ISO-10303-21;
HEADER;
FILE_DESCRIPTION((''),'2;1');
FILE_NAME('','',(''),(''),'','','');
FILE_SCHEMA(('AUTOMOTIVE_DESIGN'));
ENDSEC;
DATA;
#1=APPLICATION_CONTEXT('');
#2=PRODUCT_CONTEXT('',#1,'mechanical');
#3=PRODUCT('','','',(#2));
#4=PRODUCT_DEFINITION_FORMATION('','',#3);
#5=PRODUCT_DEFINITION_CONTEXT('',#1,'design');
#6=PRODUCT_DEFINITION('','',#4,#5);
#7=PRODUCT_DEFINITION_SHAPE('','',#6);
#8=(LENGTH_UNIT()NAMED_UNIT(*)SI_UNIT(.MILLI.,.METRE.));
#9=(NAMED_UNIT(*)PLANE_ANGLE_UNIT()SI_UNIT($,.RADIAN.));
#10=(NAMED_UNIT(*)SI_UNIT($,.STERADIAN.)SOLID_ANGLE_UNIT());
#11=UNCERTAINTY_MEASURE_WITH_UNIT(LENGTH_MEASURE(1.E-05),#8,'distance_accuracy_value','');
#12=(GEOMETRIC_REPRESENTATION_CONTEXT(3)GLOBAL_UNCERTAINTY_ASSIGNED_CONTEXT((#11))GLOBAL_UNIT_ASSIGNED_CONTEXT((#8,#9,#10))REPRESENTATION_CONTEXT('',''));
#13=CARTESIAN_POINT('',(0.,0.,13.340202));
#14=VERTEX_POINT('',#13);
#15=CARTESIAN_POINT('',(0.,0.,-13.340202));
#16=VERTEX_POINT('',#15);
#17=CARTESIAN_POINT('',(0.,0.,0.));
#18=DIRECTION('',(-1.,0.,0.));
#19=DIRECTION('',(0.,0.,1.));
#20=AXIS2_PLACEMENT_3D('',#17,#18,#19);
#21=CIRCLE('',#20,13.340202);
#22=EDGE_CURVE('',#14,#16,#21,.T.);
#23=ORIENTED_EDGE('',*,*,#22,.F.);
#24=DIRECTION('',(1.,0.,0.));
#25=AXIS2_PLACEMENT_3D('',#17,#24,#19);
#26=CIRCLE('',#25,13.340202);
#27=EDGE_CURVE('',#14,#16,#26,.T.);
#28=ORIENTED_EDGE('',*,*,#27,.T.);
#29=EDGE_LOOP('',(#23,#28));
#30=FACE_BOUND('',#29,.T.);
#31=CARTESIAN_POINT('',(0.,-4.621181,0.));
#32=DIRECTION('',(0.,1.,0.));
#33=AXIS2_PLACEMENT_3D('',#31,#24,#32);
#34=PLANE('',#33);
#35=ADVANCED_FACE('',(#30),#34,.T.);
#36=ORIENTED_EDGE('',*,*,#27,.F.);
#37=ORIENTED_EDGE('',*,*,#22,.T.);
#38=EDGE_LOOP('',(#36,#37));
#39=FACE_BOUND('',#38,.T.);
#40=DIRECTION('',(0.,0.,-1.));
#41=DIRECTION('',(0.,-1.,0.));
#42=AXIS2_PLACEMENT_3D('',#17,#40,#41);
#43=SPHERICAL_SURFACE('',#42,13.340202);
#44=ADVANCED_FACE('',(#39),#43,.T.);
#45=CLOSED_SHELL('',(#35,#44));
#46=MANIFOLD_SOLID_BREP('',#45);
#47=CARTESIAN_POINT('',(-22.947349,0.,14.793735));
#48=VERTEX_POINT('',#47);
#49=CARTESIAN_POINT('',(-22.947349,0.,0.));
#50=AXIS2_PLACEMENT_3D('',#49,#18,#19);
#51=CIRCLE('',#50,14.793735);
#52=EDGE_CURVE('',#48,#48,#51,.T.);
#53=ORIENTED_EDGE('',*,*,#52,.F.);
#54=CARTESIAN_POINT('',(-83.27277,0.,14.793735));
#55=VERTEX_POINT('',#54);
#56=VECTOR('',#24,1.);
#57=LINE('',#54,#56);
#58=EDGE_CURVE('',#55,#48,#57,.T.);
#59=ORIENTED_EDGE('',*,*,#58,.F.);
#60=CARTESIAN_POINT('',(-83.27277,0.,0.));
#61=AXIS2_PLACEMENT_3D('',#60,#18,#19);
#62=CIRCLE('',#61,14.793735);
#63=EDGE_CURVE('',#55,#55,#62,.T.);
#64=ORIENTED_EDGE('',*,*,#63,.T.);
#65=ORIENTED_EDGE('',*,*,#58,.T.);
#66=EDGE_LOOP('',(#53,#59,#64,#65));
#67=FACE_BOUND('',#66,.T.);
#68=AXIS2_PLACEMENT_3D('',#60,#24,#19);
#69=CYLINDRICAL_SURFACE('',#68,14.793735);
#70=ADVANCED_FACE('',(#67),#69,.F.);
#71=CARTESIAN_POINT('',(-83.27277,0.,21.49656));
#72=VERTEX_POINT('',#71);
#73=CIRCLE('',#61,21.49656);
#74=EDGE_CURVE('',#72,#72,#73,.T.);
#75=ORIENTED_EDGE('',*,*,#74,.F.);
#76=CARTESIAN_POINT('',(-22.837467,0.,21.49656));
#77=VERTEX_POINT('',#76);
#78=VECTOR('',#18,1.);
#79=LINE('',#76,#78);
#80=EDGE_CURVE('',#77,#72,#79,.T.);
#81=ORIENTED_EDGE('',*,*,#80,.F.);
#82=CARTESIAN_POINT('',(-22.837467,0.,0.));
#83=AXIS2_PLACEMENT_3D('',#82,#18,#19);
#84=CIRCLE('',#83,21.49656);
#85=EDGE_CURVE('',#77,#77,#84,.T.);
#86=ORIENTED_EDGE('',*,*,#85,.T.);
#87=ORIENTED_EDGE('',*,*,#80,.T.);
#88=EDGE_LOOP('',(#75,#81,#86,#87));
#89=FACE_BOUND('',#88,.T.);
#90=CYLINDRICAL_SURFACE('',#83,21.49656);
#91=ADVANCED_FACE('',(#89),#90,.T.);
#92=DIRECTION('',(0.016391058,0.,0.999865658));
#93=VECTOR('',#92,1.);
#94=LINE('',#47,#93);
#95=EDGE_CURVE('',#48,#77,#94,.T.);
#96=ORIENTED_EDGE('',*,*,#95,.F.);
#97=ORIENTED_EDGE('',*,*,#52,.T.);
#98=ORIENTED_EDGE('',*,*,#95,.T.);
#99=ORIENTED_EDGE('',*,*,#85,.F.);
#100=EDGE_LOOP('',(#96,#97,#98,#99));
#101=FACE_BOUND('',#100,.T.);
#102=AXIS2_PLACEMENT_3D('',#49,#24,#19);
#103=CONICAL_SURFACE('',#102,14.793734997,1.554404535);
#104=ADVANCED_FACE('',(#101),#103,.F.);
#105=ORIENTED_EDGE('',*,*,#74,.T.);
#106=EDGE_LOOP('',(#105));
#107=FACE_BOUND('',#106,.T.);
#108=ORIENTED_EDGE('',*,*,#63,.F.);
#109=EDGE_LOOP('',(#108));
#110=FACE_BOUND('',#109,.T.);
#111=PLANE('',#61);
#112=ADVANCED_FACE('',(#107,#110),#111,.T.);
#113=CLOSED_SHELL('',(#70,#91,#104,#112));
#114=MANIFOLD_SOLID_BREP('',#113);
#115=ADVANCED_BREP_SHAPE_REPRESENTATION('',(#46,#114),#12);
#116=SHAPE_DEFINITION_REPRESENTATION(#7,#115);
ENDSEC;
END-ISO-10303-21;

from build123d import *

# Parameters (mm, degrees)
F1_ANGLE_BACK = 90
F1_ANGLE      = 180


with BuildPart() as f1:
    # F0 (on Front) → F1 (revolve)
    with BuildSketch(Plane.XZ, mode=Mode.PRIVATE) as f1_sk:
        with BuildLine():
            Line((0, -13.3402015964), (0, 13.3402015964))
            ThreePointArc((0, 13.3402015964), (-13.3402015964, 0), (0, -13.3402015964))
        make_face()
    revolve(f1_sk.sketch.rotate(Axis((0, 0, 0), (0, 0, -1)), -F1_ANGLE_BACK), axis=Axis((0, 0, 0), (0, 0, -1)), revolution_arc=F1_ANGLE)


with BuildPart() as f3:
    # F2 (on Front) → F3 (revolve)
    with BuildSketch(Plane.XZ):
        Polygon((-83.2727700472, 14.7937349975), (-22.9473486543, 14.7937349975), (-22.8374674916, 21.4965604246), (-83.2727700472, 21.4965604246), align=None)
    revolve(axis=Axis((-53.1100593507, 0, 0), (-1, 0, 0)))


solid = Compound([f1.part, f3.part])
